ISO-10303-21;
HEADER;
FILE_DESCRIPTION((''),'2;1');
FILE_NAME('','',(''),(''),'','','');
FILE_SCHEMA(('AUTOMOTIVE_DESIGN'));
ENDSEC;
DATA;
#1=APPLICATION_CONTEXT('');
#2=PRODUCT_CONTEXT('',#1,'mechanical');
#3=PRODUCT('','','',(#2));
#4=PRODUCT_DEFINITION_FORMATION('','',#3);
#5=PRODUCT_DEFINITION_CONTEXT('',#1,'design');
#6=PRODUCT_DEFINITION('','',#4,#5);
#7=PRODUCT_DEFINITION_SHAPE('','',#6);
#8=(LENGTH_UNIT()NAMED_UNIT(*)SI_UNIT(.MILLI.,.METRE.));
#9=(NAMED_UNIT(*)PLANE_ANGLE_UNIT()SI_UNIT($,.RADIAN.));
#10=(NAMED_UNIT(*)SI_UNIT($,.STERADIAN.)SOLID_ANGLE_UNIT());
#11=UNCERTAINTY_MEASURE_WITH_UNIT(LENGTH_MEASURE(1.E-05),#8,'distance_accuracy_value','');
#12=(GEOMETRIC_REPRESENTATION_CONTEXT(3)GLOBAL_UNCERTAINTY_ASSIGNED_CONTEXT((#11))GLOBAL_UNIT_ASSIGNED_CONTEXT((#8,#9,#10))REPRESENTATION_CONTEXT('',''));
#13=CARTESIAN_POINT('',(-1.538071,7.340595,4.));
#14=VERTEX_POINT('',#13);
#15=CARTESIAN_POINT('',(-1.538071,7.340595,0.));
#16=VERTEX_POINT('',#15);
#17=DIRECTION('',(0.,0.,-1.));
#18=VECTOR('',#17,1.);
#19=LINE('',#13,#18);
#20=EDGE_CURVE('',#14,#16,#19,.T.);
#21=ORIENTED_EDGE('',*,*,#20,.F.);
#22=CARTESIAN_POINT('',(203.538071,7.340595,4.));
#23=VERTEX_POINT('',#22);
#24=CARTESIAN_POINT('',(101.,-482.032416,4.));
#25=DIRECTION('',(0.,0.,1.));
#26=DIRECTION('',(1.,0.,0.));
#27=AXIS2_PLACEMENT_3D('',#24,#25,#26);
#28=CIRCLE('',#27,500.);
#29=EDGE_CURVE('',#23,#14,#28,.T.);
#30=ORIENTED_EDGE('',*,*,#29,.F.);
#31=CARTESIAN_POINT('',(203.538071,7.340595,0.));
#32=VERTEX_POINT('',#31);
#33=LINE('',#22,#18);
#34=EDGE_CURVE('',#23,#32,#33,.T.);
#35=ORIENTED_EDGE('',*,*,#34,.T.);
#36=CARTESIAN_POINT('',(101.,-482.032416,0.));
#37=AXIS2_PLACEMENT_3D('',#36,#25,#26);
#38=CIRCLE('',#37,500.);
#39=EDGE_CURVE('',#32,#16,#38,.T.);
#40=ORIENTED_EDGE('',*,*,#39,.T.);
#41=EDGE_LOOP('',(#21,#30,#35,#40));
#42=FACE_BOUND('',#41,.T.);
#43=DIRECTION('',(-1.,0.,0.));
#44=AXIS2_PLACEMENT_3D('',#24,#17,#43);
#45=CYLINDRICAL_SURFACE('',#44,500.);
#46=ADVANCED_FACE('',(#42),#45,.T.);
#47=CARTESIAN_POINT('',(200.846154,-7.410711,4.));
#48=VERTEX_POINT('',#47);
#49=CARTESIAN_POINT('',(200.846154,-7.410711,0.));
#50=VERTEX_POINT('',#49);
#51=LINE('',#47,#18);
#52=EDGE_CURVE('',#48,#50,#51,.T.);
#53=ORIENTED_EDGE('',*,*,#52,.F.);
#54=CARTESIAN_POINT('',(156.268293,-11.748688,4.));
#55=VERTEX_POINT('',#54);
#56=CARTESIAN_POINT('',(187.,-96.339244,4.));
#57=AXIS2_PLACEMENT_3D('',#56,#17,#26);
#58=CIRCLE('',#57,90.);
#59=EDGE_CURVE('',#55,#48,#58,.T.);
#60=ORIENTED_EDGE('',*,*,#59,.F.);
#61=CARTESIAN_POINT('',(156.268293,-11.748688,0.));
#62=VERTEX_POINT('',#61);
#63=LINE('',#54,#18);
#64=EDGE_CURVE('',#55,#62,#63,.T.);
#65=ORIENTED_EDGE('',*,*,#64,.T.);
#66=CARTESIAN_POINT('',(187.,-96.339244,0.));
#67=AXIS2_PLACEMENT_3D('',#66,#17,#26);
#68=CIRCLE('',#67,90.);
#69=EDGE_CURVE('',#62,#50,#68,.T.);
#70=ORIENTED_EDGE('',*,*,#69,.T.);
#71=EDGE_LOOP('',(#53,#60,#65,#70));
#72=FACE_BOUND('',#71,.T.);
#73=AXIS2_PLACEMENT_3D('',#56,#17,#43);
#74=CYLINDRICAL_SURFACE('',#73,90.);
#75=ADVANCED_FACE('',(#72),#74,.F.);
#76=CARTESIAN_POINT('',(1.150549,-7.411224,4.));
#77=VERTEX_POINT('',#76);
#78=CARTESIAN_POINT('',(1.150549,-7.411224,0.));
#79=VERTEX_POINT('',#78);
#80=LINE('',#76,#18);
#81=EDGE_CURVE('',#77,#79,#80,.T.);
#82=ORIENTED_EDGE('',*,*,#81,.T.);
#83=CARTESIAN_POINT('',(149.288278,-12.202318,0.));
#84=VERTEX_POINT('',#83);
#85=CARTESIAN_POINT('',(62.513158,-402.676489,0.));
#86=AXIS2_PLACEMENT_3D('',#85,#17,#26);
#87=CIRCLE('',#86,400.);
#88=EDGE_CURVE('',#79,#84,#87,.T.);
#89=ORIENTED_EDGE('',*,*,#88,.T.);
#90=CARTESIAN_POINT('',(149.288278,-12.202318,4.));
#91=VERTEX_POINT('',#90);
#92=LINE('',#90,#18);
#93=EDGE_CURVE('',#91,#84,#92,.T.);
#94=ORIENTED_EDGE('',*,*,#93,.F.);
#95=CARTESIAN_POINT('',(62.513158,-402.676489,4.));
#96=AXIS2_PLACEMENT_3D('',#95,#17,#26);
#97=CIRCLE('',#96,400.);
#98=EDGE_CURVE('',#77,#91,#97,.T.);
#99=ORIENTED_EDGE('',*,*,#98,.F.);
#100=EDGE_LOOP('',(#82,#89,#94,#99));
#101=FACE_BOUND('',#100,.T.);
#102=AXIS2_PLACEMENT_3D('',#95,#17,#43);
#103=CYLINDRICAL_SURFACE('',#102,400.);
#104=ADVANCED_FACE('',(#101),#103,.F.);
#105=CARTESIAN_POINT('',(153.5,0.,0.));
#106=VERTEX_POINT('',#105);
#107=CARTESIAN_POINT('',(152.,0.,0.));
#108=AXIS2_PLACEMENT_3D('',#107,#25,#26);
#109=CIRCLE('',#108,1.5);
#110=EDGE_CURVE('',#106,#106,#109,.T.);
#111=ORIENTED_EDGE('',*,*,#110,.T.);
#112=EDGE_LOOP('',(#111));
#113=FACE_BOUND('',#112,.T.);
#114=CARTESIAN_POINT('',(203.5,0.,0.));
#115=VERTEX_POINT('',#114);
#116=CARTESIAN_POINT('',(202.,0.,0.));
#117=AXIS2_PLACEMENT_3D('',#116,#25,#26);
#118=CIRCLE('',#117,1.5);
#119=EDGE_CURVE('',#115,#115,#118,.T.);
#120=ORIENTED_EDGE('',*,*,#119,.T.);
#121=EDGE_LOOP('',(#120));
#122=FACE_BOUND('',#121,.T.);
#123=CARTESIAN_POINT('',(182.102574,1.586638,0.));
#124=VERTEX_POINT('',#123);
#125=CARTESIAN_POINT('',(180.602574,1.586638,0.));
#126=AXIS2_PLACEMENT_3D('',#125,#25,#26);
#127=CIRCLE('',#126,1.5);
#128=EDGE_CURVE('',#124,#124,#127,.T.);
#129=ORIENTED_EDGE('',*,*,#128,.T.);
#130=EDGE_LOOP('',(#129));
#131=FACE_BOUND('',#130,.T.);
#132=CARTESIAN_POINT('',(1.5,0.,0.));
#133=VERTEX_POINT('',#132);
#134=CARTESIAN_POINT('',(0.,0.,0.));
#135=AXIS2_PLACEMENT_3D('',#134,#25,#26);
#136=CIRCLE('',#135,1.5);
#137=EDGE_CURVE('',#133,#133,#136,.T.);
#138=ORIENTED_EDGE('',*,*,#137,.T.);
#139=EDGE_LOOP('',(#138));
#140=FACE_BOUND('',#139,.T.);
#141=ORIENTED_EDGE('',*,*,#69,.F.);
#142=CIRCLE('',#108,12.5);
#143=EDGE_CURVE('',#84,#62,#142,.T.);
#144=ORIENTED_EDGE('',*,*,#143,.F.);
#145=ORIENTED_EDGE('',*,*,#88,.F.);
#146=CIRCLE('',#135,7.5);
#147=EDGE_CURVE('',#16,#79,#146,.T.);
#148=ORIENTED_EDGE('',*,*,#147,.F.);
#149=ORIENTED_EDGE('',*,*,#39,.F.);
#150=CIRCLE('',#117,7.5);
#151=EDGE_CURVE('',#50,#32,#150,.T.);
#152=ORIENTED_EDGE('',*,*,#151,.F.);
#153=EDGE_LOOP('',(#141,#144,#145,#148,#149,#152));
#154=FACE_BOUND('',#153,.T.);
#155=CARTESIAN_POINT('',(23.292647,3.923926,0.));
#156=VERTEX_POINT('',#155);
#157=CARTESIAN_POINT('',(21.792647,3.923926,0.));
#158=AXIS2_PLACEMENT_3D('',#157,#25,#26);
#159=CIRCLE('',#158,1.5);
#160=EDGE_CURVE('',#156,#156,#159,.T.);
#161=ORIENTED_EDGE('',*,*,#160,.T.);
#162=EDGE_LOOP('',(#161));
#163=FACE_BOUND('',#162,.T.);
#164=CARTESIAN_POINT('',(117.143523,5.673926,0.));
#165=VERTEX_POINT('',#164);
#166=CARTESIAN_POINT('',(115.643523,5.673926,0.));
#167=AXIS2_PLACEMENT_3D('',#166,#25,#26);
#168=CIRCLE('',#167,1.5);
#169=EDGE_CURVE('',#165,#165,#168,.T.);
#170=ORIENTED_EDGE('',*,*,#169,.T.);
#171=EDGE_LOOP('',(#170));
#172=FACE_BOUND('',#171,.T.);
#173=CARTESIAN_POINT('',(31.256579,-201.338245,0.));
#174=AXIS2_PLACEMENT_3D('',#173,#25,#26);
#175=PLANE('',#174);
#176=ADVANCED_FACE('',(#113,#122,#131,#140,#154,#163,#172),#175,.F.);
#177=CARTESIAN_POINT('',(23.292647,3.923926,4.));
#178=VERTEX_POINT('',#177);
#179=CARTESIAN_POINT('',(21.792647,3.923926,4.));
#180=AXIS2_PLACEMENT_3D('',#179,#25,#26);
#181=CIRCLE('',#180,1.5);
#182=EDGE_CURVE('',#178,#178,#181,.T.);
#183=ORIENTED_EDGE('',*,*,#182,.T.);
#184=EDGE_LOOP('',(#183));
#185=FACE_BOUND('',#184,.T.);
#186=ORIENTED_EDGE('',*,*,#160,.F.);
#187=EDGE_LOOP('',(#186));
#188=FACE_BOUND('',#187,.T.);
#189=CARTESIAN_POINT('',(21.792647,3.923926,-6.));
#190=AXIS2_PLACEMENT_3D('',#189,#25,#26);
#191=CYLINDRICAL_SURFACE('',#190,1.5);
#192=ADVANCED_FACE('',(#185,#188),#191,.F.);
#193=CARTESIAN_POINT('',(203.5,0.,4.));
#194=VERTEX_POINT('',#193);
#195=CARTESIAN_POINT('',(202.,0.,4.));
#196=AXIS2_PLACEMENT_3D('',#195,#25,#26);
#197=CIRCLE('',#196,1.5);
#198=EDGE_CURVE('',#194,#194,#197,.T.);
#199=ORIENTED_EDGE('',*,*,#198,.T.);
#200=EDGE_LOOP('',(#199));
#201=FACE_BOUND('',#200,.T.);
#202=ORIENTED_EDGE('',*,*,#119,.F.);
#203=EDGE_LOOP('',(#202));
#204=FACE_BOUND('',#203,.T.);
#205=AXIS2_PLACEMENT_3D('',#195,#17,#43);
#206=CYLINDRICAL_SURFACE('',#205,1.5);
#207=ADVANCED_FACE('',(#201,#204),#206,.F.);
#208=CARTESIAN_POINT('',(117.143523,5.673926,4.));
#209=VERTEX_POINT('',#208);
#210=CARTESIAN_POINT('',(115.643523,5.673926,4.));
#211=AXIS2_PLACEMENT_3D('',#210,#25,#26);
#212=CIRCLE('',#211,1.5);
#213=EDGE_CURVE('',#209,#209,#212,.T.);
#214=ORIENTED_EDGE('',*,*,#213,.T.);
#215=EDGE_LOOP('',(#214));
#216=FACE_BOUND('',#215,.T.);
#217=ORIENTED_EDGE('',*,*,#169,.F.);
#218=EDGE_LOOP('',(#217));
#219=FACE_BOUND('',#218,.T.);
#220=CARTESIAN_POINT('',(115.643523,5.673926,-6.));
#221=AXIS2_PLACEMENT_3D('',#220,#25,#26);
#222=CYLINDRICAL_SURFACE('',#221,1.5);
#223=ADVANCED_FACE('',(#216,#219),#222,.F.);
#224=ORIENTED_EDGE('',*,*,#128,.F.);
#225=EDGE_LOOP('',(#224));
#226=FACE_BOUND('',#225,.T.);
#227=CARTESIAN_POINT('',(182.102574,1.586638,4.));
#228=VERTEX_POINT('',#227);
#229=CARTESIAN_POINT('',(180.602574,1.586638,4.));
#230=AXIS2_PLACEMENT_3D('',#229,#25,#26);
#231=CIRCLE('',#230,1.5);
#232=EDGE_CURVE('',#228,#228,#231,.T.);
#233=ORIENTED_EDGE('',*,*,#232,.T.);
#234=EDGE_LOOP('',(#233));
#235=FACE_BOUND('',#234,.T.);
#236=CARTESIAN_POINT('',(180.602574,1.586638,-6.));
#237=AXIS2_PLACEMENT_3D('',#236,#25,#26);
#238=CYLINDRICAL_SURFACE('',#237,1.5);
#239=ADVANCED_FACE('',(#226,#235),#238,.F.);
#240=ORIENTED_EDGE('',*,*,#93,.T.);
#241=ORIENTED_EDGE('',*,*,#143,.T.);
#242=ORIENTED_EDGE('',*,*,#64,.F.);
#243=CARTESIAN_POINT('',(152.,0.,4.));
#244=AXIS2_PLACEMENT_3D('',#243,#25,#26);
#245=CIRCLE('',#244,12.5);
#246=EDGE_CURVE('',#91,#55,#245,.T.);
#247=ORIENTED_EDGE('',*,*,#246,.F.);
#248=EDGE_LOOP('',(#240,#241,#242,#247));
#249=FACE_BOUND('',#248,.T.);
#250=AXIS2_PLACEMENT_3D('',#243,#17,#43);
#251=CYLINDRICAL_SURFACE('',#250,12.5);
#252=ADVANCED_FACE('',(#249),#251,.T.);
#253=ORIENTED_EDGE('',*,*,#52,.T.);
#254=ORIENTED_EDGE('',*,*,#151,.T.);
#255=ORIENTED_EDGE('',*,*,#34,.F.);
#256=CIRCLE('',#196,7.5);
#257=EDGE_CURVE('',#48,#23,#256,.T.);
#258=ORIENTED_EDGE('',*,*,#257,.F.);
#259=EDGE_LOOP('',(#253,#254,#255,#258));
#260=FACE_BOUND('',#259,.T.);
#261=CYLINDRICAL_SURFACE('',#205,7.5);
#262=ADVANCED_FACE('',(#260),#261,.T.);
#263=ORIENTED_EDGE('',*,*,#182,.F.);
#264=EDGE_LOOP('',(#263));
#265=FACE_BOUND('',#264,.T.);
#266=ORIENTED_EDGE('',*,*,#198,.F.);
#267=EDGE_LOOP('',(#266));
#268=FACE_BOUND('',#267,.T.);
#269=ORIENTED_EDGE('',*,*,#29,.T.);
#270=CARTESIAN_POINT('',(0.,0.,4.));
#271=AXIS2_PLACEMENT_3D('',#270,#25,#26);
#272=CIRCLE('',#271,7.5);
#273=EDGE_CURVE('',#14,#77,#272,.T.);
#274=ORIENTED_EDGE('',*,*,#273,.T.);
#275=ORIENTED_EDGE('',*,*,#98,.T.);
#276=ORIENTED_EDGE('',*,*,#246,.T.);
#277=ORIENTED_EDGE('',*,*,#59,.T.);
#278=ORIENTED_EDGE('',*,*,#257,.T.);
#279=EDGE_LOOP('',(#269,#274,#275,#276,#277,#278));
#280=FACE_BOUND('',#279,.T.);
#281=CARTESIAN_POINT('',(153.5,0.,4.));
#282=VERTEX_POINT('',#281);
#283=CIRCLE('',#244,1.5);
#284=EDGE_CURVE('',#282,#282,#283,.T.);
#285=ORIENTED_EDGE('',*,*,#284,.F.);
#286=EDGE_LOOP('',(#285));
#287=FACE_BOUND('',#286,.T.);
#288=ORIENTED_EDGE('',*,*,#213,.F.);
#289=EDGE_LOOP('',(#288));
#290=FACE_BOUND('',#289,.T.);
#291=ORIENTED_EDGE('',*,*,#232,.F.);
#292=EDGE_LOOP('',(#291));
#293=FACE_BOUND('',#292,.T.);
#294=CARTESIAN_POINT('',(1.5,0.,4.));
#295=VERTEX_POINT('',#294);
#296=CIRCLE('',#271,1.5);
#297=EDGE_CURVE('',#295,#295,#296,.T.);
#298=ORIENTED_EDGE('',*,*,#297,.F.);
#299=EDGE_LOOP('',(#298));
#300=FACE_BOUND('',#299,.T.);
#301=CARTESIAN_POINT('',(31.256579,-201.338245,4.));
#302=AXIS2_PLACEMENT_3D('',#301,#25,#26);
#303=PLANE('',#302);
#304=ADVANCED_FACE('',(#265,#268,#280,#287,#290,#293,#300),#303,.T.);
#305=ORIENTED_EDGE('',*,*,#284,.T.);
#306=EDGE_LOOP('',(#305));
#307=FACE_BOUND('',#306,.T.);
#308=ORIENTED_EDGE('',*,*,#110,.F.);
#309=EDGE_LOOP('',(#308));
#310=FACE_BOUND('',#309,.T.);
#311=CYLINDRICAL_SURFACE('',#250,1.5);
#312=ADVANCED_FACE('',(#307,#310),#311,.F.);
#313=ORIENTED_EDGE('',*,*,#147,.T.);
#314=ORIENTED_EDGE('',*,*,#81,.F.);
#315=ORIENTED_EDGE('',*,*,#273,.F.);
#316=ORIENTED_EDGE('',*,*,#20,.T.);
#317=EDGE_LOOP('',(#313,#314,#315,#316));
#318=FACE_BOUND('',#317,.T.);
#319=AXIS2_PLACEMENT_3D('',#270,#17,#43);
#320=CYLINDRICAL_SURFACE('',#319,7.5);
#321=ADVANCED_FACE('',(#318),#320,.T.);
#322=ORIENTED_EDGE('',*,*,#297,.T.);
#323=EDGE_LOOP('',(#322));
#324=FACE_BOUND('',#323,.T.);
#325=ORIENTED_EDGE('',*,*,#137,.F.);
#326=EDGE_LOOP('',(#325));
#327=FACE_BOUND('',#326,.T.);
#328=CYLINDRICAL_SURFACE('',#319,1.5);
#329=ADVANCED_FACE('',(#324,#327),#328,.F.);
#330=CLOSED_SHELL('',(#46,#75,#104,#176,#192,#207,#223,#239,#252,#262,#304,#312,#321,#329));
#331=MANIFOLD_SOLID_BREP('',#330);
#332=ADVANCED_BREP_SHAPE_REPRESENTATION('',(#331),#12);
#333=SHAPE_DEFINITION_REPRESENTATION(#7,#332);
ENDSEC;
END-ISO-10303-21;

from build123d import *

# Parameters (mm, degrees)
SCHIZZO1_R                   = 1.5
ESTRUSIONE_ESTRUSIONE1_DEPTH = 4
SCHIZZO2_R                   = 1.5
TAGLIO_ESTRUSIONE1_DEPTH     = 10


with BuildPart() as part:
    # Schizzo1 → Estrusione-Estrusione1 (new body)
    with BuildSketch(Plane.XY):
        with BuildLine():
            ThreePointArc((-1.538071066, 7.340595166), (-7.378454008, -1.344773756), (1.150548918, -7.411223731))
            ThreePointArc((1.150548918, -7.411223731), (75.443261143, -2.885528453), (149.288277512, -12.20231786))
            ThreePointArc((149.288277512, -12.20231786), (152.810661847, -12.473685396), (156.268292683, -11.748688334))
            ThreePointArc((156.268292683, -11.748688334), (178.283063002, -6.762377854), (200.846153846, -7.410711103))
            ThreePointArc((200.846153846, -7.410711103), (209.378154672, -1.346415107), (203.538071066, 7.340595166))
            ThreePointArc((203.538071066, 7.340595166), (101, 17.967584078), (-1.538071066, 7.340595166))
        make_face()
        Circle(SCHIZZO1_R, mode=Mode.SUBTRACT)
        with Locations((202, 0)):
            Circle(SCHIZZO1_R, mode=Mode.SUBTRACT)
        with Locations((152, 0)):
            Circle(SCHIZZO1_R, mode=Mode.SUBTRACT)
    extrude(amount=ESTRUSIONE_ESTRUSIONE1_DEPTH)

    # Schizzo2 → Taglio-Estrusione1 (cut)
    with BuildSketch(Plane.XY.offset(4)):
        with Locations((21.792647349, 3.923925867)):
            Circle(SCHIZZO2_R)
        with Locations((115.643522851, 5.673925867)):
            Circle(SCHIZZO2_R)
        with Locations((180.602574062, 1.58663817)):
            Circle(SCHIZZO2_R)
    extrude(amount=-TAGLIO_ESTRUSIONE1_DEPTH, mode=Mode.SUBTRACT)


solid = part.part
